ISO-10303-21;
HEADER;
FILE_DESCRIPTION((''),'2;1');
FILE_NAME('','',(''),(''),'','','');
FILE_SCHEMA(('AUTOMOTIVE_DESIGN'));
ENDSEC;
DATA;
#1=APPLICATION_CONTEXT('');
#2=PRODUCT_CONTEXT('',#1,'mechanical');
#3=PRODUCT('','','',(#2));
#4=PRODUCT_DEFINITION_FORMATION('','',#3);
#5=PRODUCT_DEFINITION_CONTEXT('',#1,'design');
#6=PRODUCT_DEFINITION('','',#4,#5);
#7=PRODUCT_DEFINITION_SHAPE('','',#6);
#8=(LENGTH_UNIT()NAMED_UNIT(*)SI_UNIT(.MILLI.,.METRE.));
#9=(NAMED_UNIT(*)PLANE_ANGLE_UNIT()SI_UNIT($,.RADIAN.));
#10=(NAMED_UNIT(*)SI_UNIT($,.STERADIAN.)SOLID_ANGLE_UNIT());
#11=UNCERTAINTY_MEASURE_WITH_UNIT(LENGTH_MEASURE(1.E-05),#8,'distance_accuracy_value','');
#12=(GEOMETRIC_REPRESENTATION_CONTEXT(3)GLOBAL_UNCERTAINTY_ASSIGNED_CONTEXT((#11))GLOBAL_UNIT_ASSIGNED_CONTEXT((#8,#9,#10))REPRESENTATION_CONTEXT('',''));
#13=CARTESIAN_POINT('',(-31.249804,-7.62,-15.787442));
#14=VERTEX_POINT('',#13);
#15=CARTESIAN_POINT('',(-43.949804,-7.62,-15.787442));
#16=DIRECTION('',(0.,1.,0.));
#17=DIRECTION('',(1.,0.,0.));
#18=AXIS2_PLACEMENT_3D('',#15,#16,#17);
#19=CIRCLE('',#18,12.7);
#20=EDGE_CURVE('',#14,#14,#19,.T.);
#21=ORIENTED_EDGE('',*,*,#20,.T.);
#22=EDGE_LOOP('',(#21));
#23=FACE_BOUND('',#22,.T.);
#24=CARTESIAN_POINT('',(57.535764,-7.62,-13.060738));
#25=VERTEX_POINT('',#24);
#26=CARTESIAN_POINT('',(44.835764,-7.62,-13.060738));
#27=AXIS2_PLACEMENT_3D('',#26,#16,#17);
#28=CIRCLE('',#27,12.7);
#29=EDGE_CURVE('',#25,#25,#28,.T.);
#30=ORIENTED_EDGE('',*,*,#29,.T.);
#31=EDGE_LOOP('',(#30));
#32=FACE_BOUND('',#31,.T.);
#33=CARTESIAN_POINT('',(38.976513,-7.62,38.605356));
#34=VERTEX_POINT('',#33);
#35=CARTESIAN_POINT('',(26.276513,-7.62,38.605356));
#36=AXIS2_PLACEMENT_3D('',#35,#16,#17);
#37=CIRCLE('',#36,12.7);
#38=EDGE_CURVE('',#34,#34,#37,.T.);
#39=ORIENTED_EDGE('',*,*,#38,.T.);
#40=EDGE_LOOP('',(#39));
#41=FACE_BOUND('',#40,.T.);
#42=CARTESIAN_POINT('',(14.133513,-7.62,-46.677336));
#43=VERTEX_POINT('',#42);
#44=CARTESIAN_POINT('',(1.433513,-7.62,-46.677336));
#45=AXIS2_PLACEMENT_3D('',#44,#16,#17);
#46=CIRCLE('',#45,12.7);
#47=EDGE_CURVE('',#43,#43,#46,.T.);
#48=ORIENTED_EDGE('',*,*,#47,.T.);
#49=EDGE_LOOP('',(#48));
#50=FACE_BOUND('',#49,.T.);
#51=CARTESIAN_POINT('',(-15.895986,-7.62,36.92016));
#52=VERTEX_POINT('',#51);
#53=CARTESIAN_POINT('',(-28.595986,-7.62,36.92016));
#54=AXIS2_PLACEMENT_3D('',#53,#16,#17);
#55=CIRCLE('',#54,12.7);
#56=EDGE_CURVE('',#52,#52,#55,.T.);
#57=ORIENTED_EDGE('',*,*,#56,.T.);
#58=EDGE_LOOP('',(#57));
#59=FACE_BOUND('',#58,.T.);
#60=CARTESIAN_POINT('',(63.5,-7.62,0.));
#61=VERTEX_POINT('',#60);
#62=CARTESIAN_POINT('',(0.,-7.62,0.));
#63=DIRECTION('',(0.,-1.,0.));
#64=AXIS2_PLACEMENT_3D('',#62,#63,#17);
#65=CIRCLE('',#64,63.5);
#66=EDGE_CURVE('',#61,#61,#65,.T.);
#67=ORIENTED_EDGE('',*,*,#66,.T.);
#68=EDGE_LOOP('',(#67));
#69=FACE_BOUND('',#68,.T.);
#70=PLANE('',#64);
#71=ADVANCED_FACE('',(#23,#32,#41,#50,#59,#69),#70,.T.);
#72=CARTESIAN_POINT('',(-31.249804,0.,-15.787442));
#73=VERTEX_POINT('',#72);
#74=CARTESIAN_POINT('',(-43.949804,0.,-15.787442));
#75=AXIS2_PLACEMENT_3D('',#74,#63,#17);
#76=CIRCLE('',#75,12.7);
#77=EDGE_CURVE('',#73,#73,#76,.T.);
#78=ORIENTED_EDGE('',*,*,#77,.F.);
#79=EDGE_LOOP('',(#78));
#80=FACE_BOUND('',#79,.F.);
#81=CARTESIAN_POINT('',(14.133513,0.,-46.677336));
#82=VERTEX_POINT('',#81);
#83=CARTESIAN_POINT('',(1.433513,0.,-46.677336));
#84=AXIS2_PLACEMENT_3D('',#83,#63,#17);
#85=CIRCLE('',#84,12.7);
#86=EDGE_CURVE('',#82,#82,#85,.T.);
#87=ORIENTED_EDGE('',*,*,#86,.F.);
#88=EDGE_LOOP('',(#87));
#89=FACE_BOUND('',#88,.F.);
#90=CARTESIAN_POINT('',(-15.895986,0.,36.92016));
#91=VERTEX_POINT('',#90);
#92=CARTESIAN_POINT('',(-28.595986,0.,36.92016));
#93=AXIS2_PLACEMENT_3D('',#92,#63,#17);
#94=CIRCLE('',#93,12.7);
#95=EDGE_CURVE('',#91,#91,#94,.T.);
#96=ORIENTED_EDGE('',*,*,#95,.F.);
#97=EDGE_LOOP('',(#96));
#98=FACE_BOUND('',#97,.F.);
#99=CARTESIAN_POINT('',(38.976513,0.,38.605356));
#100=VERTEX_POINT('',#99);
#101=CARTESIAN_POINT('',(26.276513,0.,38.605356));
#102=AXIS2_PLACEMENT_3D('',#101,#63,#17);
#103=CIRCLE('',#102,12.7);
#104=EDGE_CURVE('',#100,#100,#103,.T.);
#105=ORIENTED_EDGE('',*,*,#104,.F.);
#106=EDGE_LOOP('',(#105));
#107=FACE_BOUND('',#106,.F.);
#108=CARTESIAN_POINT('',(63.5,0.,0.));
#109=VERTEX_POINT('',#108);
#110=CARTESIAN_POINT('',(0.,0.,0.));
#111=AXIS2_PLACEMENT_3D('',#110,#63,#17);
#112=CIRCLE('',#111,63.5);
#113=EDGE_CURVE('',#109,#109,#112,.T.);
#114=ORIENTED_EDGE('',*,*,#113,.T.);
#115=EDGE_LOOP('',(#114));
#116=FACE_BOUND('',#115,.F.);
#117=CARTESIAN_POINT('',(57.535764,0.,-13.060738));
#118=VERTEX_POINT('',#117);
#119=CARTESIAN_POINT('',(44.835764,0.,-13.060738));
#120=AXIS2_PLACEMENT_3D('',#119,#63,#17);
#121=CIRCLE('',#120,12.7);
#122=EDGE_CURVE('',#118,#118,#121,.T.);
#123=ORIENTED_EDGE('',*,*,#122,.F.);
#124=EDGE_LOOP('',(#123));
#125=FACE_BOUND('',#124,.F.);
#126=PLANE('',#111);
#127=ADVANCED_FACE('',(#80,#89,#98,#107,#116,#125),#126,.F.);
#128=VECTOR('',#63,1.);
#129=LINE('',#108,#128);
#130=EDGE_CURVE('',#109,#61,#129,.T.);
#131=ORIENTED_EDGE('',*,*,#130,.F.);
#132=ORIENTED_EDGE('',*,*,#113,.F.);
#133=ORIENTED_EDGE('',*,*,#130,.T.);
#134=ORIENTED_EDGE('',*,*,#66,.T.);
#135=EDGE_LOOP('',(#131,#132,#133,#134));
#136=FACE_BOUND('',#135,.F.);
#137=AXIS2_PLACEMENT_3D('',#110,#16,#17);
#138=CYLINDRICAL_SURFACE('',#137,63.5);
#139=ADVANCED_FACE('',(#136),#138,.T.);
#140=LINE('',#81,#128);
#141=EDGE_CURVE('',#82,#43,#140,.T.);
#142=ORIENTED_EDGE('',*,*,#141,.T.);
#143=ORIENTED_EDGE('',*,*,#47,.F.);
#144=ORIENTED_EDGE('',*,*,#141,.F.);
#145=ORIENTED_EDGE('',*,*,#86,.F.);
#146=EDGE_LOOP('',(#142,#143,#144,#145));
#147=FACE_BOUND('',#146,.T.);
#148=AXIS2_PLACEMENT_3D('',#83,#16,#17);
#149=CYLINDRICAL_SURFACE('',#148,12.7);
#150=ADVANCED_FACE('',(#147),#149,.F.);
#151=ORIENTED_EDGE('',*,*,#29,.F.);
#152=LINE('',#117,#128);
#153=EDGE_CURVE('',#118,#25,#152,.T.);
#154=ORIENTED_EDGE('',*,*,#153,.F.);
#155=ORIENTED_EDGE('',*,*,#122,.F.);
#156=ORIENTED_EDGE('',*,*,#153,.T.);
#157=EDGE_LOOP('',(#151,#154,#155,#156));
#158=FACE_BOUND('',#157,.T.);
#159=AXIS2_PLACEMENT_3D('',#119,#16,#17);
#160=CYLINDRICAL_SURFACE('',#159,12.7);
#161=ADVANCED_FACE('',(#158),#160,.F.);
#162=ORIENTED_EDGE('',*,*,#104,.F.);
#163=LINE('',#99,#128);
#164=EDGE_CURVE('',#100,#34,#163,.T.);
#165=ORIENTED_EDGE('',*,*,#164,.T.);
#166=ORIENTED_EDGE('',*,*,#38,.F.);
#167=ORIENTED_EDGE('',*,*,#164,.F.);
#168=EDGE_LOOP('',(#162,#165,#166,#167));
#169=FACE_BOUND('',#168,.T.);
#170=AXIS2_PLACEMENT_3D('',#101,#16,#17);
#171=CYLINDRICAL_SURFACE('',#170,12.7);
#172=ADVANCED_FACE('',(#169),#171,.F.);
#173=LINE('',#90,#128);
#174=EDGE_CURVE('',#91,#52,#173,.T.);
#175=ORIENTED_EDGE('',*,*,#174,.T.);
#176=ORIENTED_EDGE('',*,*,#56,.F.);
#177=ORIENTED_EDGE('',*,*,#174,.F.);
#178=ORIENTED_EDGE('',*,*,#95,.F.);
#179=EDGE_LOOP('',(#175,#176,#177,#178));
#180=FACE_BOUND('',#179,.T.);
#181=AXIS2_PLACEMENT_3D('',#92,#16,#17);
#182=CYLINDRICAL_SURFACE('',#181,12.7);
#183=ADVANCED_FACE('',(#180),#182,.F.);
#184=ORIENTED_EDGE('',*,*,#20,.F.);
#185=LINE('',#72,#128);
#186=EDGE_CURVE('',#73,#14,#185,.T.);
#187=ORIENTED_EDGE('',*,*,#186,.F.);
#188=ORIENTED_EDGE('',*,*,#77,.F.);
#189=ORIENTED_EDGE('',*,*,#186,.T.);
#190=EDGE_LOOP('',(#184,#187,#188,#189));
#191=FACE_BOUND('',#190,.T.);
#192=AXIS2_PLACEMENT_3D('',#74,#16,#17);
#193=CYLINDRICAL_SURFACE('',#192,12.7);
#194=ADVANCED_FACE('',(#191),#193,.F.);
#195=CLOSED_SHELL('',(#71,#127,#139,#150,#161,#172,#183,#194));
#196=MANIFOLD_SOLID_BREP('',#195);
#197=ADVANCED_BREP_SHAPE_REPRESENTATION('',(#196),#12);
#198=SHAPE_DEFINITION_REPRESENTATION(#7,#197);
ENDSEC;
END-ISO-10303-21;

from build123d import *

# Parameters (mm, degrees)
F0_R     = 63.5
F1_DEPTH = 7.62
F2_R     = 12.7
F3_DEPTH = 7.621


with BuildPart() as f1:
    # F0 (on Front) → F1 (new body)
    with BuildSketch(Plane.XZ):
        Circle(F0_R)
    extrude(amount=F1_DEPTH)

    # F2 (on Front) → F3 (cut, through all)
    with BuildSketch(Plane.XZ):
        with Locations((-28.595986, 36.92016)):
            Circle(F2_R)
        with Locations((-43.949804, -15.787442)):
            Circle(F2_R)
        with Locations((1.433513, -46.677336)):
            Circle(F2_R)
        with Locations((44.835764, -13.060738)):
            Circle(F2_R)
        with Locations((26.276513, 38.605356)):
            Circle(F2_R)
    extrude(amount=F3_DEPTH, mode=Mode.SUBTRACT)


solid = f1.part
